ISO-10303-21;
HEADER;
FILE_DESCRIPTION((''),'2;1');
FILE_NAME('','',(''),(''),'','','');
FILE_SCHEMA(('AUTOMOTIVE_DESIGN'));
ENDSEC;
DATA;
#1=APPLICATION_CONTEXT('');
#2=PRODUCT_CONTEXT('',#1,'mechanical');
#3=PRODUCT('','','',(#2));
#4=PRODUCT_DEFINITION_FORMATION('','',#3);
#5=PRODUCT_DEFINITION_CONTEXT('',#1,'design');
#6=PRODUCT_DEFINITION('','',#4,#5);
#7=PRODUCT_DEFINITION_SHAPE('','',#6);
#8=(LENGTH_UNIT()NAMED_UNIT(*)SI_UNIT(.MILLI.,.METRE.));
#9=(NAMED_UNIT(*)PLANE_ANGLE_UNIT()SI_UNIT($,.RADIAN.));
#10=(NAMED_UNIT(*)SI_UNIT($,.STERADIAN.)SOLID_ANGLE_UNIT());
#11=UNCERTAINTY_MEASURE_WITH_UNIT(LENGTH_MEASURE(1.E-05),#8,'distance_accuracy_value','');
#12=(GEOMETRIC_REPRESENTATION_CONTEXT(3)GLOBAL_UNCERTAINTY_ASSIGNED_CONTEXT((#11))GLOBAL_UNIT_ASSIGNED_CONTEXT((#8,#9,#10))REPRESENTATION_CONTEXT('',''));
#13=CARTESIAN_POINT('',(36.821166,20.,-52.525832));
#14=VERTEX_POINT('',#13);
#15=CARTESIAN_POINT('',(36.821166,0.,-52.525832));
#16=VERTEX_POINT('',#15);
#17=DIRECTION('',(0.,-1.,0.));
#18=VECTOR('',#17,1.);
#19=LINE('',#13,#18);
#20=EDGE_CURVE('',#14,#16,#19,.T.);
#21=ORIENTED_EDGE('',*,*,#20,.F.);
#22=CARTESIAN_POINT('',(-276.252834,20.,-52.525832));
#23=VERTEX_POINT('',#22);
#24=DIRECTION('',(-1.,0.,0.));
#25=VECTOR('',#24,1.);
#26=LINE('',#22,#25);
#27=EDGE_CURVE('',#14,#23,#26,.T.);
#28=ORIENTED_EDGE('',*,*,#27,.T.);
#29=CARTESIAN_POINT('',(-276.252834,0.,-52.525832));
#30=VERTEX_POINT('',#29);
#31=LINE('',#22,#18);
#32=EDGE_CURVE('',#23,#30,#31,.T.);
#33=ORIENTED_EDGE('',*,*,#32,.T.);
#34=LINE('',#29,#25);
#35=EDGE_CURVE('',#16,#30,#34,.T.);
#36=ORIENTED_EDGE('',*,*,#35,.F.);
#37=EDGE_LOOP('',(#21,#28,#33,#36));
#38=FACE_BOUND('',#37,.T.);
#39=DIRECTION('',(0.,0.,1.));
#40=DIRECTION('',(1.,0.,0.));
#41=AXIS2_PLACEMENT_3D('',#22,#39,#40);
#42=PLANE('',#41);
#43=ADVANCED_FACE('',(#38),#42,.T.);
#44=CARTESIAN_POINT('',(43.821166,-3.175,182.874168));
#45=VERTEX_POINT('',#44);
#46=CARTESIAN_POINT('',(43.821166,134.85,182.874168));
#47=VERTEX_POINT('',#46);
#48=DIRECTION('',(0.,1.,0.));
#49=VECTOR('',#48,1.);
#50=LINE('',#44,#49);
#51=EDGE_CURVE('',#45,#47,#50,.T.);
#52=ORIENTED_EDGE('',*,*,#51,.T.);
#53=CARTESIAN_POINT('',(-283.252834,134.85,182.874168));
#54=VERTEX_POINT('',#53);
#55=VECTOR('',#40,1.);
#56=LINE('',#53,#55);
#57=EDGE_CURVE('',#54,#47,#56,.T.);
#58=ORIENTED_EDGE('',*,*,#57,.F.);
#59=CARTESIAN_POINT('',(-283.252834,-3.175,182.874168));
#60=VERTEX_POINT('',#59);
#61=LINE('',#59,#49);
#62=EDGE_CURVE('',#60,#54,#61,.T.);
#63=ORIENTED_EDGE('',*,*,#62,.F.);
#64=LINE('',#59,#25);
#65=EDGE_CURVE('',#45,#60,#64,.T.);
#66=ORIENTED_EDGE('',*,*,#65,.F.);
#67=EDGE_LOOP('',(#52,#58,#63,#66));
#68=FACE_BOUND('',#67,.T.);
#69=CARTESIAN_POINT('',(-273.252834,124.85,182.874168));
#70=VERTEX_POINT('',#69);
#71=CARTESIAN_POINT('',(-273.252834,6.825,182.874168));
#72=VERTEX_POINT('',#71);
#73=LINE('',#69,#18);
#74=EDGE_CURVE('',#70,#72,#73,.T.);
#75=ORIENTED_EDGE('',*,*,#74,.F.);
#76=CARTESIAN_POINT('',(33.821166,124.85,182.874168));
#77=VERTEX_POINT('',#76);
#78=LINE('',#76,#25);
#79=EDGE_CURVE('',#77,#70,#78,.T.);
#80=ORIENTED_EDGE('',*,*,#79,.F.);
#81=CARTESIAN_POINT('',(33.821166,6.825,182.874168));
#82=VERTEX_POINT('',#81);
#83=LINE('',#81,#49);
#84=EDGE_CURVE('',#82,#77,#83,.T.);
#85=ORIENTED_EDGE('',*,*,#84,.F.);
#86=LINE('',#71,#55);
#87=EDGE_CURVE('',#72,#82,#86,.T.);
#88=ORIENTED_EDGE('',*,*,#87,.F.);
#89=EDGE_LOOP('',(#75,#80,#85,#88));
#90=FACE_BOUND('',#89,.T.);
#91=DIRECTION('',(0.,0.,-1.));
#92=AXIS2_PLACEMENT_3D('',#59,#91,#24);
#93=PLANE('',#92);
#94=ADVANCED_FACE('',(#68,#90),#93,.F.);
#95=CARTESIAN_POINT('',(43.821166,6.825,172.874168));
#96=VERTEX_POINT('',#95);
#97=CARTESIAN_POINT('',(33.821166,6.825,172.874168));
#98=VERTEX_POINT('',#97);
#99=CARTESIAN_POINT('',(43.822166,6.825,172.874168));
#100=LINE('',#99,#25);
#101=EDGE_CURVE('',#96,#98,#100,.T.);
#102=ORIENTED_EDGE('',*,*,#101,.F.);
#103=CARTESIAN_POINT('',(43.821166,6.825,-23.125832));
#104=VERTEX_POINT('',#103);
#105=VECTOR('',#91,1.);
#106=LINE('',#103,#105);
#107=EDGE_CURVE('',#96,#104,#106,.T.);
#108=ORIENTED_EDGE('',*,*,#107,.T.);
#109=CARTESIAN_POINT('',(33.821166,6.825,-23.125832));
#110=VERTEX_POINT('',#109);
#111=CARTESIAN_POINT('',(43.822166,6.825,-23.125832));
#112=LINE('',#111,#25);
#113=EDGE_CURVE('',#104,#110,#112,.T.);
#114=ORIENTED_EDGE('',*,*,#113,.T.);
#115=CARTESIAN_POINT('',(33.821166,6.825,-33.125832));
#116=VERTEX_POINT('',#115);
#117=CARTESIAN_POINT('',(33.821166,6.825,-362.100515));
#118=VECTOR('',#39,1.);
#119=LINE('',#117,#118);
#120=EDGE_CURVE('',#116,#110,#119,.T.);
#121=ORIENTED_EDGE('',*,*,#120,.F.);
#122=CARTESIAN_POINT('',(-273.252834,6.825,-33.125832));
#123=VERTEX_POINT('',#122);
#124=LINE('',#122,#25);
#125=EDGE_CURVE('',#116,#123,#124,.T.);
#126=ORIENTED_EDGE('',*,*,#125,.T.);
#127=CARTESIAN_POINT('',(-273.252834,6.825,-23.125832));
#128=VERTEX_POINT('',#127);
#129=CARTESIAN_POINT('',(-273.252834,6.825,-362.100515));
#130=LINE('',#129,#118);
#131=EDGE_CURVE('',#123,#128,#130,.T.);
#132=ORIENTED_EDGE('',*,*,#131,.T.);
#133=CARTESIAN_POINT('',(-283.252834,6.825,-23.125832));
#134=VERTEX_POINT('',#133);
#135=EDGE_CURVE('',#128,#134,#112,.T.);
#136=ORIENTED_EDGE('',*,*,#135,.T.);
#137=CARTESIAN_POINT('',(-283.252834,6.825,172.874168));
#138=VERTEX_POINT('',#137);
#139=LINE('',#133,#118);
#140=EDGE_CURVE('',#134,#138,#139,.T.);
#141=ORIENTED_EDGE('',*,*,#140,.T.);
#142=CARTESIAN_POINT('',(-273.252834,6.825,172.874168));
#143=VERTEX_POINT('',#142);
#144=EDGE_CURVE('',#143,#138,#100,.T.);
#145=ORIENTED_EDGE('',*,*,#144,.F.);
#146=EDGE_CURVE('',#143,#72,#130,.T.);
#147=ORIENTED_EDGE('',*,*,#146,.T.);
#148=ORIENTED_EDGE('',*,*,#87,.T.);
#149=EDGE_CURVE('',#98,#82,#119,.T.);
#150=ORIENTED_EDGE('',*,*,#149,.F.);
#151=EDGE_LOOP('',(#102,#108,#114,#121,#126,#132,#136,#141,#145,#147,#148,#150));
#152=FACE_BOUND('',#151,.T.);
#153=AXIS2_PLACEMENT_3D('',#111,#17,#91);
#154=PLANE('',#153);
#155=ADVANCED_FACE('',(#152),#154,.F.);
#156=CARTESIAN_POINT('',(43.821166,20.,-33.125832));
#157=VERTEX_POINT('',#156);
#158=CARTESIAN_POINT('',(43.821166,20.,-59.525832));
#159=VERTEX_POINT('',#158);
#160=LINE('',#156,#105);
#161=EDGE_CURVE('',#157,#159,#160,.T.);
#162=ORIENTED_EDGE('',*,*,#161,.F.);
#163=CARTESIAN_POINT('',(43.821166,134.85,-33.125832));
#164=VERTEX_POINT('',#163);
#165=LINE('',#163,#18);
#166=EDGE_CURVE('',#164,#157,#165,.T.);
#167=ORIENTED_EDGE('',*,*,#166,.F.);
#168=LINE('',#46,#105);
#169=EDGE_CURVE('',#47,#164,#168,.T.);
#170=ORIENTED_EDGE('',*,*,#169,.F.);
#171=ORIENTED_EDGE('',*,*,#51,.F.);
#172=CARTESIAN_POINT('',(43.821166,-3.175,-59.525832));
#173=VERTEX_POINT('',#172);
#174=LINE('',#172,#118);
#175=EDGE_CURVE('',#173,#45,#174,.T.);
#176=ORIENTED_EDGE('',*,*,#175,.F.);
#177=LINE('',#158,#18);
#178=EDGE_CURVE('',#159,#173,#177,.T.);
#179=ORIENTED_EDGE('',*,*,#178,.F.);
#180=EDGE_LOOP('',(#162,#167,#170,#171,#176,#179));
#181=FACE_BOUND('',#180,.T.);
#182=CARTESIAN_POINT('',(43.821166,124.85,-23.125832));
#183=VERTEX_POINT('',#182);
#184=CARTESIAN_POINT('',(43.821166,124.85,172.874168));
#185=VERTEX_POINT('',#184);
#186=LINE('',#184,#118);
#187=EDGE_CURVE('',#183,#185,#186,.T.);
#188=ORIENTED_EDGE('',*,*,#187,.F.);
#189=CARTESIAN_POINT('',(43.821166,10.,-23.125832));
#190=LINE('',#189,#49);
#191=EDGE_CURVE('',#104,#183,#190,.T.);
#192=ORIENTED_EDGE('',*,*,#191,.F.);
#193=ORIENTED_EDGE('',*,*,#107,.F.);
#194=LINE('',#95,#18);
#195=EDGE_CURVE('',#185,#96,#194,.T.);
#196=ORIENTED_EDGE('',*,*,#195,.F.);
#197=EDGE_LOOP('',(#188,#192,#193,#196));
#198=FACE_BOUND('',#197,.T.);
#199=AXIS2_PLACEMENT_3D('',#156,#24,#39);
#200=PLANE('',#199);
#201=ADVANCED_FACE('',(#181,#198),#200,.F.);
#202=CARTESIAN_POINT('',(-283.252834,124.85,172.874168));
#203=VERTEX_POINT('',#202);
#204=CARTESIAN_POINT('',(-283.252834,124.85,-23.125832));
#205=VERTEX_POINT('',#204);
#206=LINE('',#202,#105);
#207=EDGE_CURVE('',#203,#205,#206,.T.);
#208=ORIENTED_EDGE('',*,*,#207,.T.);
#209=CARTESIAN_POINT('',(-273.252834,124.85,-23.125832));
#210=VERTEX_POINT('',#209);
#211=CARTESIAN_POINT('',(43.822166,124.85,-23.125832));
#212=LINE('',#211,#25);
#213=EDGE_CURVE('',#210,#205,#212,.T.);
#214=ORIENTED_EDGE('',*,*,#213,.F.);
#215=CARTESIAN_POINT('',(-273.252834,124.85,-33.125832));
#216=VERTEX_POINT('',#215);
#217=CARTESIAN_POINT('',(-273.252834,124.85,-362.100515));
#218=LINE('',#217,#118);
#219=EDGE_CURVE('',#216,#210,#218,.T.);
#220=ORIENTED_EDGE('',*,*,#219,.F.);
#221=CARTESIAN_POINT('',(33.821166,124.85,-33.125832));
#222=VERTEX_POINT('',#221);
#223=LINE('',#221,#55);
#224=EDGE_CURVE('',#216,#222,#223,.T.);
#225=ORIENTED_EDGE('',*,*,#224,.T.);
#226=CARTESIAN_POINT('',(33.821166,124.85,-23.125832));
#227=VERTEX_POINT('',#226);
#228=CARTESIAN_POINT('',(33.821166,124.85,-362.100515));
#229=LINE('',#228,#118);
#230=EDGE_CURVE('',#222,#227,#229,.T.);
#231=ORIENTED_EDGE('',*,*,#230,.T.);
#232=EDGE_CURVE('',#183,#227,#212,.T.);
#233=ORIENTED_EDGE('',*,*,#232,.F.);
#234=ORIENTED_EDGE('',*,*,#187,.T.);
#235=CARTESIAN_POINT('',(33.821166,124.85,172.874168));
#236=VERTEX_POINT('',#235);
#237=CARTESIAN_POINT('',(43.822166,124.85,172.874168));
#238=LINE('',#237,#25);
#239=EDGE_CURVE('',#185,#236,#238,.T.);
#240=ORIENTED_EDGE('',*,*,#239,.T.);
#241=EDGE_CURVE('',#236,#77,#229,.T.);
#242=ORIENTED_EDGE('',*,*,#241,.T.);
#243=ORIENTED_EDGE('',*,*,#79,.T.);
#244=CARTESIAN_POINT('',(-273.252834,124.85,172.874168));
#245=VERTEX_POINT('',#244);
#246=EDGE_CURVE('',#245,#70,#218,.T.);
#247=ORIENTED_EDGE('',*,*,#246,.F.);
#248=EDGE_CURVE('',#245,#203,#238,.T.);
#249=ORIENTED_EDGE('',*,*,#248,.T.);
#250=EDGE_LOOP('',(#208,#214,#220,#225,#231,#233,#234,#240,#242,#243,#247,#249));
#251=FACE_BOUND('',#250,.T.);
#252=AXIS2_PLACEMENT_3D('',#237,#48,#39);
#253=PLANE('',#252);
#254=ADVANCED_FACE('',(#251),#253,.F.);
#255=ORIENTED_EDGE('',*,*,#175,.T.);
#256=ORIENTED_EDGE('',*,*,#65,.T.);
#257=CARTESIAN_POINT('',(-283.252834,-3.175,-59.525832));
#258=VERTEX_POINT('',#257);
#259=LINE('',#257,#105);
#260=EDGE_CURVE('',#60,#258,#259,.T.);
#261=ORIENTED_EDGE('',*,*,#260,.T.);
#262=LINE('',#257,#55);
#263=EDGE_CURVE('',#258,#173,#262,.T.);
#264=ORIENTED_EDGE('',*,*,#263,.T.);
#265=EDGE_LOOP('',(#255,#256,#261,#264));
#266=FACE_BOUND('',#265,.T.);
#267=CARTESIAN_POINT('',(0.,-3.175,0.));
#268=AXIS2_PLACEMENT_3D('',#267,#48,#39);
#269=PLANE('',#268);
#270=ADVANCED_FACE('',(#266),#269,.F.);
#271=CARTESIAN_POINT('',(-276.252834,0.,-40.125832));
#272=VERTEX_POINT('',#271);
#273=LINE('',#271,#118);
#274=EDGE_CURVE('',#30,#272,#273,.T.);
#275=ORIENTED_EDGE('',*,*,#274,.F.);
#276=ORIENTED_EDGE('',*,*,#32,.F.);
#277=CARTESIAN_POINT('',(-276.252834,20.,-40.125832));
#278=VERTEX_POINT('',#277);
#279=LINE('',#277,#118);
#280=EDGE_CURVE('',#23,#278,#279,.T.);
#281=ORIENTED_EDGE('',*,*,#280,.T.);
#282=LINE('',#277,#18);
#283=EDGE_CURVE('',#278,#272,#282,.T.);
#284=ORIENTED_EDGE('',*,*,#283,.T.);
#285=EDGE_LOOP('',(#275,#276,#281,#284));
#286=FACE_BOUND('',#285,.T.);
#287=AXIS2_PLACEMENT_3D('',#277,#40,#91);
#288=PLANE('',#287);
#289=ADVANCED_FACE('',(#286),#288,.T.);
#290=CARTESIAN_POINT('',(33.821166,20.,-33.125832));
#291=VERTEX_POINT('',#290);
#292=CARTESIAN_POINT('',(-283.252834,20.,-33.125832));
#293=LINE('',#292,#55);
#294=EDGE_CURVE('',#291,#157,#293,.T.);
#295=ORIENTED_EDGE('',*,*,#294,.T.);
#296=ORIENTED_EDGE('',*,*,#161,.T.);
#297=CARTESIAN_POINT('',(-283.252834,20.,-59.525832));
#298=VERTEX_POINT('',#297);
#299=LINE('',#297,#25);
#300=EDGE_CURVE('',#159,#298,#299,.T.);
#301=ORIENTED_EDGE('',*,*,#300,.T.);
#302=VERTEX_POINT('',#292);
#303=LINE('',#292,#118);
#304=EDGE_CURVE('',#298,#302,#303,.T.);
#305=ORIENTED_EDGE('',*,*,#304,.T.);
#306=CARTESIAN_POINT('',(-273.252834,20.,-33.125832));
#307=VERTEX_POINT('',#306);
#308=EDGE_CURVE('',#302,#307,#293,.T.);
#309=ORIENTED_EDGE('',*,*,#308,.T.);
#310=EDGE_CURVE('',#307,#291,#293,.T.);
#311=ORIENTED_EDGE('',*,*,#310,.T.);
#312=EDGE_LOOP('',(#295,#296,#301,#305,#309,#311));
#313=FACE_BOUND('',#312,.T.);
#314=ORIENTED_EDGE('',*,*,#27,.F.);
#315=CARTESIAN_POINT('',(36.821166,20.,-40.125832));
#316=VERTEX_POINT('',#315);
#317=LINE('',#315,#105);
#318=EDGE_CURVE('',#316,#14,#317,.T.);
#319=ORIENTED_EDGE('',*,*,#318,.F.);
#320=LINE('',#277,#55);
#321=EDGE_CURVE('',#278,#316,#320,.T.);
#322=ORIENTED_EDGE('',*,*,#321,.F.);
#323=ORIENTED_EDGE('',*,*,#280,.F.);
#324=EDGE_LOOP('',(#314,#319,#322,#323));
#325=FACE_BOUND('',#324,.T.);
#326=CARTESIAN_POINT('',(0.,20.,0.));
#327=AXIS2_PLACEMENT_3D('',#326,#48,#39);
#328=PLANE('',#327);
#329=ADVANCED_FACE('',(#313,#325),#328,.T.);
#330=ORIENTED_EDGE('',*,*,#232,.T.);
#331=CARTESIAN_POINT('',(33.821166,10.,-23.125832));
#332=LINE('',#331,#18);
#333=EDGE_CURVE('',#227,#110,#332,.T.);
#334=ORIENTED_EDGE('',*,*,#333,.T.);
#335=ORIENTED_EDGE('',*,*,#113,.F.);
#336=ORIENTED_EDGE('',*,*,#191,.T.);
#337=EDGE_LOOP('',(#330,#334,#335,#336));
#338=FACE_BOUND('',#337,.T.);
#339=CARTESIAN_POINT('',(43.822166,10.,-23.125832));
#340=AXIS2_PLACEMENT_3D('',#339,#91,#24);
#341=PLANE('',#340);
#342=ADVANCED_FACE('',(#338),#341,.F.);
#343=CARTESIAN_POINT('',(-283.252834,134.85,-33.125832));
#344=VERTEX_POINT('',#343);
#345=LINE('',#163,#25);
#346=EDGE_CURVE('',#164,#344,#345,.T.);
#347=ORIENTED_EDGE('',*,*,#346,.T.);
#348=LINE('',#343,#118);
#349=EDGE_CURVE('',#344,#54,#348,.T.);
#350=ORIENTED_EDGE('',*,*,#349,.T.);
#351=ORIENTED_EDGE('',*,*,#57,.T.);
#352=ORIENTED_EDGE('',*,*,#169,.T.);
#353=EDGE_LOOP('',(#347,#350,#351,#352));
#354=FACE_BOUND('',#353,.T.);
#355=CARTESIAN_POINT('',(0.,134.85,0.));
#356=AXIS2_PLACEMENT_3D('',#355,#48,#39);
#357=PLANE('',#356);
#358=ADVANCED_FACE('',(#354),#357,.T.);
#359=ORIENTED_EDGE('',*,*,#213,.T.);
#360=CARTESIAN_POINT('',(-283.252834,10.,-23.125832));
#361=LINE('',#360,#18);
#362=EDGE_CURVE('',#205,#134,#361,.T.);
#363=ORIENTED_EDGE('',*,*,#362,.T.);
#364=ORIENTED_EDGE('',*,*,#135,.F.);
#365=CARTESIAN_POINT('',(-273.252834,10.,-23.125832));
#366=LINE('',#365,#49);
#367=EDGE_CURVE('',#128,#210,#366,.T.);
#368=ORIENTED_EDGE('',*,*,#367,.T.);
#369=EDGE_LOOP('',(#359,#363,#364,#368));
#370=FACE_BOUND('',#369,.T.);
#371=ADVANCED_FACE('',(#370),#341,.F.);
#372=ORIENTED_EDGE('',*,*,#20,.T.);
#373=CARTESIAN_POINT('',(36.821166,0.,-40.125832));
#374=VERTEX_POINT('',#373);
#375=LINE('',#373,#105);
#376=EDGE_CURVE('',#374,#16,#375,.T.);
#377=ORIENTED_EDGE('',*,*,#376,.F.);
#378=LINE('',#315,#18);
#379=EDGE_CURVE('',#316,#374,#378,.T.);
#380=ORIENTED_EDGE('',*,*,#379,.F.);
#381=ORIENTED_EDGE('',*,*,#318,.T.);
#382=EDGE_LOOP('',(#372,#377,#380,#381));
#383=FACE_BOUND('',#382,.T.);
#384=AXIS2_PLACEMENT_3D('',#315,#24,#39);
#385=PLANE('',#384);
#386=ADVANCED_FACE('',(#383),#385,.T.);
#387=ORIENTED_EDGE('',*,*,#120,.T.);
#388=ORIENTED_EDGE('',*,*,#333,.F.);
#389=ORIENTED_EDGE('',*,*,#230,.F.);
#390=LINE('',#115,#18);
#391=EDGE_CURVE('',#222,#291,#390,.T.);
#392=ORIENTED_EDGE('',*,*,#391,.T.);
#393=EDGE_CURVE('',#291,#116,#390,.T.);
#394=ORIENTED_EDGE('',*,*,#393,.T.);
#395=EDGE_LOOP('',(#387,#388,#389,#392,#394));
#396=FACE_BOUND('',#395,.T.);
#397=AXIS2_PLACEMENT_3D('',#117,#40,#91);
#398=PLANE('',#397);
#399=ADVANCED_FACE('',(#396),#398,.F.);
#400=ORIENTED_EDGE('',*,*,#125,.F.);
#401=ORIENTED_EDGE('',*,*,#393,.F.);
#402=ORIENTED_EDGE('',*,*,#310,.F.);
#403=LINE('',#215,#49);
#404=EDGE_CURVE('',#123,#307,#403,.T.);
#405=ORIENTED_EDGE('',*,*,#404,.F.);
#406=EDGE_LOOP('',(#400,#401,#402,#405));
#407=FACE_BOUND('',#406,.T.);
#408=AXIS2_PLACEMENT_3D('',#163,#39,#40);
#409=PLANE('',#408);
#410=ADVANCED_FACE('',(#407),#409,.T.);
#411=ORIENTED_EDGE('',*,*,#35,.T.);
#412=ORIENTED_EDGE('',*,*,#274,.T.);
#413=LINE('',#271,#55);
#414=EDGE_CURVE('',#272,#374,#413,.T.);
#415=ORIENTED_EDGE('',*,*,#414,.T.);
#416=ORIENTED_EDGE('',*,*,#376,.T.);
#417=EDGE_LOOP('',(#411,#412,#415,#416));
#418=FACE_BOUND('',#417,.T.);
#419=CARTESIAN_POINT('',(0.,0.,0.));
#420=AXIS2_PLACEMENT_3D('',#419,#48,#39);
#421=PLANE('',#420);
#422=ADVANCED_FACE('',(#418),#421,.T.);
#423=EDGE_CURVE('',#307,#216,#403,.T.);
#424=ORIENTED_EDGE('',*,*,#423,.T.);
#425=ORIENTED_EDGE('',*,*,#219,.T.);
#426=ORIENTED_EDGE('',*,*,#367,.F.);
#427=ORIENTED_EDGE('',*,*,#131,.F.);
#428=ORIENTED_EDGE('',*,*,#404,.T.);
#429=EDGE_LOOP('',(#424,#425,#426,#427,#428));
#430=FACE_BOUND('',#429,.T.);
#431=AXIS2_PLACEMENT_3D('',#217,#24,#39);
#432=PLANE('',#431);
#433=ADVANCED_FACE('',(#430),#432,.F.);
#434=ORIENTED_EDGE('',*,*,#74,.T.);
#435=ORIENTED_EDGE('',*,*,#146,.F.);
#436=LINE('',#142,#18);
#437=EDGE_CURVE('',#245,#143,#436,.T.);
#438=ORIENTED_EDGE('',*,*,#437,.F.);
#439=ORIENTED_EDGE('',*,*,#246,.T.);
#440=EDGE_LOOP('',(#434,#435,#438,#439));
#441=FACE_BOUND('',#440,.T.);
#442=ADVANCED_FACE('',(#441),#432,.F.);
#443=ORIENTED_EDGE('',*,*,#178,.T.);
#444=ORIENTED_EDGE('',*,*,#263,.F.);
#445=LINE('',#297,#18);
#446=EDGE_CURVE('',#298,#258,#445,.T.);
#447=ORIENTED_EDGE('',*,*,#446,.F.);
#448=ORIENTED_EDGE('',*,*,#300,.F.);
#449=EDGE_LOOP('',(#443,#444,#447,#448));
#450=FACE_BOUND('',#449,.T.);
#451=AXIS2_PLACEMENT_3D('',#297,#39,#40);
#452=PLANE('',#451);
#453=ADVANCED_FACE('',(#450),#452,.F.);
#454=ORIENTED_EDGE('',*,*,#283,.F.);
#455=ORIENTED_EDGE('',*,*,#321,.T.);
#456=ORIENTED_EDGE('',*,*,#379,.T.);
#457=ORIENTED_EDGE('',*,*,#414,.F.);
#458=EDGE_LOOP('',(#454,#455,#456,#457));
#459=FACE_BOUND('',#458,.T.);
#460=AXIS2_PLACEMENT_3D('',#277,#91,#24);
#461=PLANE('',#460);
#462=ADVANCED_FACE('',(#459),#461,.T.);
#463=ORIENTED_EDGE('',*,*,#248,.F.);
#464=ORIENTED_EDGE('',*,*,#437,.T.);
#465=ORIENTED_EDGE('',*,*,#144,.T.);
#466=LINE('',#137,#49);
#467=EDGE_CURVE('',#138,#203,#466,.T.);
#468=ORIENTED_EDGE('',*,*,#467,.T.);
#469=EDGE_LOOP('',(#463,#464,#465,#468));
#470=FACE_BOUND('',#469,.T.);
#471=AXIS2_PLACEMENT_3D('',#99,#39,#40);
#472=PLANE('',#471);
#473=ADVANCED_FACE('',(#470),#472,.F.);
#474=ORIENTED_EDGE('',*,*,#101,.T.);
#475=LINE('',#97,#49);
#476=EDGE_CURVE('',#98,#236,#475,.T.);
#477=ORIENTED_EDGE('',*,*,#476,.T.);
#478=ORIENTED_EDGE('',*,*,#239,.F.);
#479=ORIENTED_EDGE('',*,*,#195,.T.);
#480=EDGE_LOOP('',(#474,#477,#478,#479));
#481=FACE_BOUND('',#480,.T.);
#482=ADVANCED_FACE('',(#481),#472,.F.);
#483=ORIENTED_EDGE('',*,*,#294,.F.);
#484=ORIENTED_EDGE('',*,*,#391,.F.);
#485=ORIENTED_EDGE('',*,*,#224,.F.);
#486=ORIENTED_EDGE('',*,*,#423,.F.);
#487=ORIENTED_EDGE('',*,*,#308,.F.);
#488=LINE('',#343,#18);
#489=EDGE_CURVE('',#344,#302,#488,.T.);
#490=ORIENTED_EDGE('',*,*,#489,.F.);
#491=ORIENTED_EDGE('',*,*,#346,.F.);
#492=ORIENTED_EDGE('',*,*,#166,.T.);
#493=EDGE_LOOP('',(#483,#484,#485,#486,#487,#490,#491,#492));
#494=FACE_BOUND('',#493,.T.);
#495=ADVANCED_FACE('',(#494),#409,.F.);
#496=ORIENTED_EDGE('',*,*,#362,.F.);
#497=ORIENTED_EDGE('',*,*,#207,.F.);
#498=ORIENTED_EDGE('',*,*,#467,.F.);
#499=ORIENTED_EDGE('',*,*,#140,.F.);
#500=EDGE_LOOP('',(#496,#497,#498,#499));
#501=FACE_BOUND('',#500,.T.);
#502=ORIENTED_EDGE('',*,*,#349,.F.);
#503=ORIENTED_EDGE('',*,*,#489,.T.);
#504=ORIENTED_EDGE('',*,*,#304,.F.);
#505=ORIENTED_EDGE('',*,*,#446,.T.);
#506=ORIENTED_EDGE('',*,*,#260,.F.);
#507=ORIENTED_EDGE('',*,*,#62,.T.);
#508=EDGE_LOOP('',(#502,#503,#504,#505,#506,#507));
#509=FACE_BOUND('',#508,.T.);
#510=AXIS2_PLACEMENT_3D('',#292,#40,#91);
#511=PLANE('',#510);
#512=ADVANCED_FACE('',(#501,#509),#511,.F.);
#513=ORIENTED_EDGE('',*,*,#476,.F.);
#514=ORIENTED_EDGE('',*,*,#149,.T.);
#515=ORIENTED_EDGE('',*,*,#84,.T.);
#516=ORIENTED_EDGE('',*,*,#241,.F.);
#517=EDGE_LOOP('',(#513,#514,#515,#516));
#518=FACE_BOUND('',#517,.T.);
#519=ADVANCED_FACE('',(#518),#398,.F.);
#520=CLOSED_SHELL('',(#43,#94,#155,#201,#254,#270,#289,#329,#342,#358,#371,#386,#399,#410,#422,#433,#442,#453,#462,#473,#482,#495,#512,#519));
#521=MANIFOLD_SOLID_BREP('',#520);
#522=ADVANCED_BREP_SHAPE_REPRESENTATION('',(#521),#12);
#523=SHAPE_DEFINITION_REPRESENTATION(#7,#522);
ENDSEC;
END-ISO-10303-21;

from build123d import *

# Parameters (mm, degrees)
SKETCH1_W           = 327.074
SKETCH1_H           = 26.4
SKETCH1_W_2         = 313.074
SKETCH1_H_2         = 12.4
BOSS_EXTRUDE1_DEPTH = 20
SKETCH2_W           = 327.074
SKETCH2_H           = 242.4
BOSS_EXTRUDE2_DEPTH = 3.175
SKETCH3_W           = 327.074
SKETCH3_H           = 216
BOSS_EXTRUDE3_DEPTH = 134.85
CUT_EXTRUDE1_REACH  = 400.252
CUT_EXTRUDE2_REACH  = 398.452
SKETCH5_W           = 307.074
SKETCH5_H           = 118.025


with BuildPart() as part:
    # Sketch1 → Boss-Extrude1 (new body)
    with BuildSketch(Plane(origin=(0, 0, 0), x_dir=(1, 0, 0), z_dir=(0, 1, 0))):
        with Locations((-119.715833623, 46.325831873)):
            Rectangle(SKETCH1_W, SKETCH1_H)
        with Locations((-119.715833623, 46.325831873)):
            Rectangle(SKETCH1_W_2, SKETCH1_H_2, mode=Mode.SUBTRACT)
    extrude(amount=BOSS_EXTRUDE1_DEPTH)

    # Sketch2 → Boss-Extrude2 (add)
    with BuildSketch(Plane.XZ):
        with Locations((-119.715833623, 61.674168127)):
            Rectangle(SKETCH2_W, SKETCH2_H)
    extrude(amount=BOSS_EXTRUDE2_DEPTH)

    # Sketch3 → Boss-Extrude3 (add)
    with BuildSketch(Plane(origin=(0, 0, 0), x_dir=(1, 0, 0), z_dir=(0, 1, 0))):
        with Locations((-119.715833623, -74.874168127)):
            Rectangle(SKETCH3_W, SKETCH3_H)
    extrude(amount=BOSS_EXTRUDE3_DEPTH)

    # Sketch4 → Cut-Extrude1 (cut, up to next)
    with BuildSketch(Plane.ZY.offset(283.252833623), mode=Mode.PRIVATE) as cut_extrude1_sk1:
        Polygon((-23.125831873, 10), (-23.125831873, 6.825), (172.874168127, 6.825), (172.874168127, 124.85), (-23.125831873, 124.85), align=None)
    cut_extrude1_tool1 = extrude(cut_extrude1_sk1.sketch, amount=-CUT_EXTRUDE1_REACH, mode=Mode.PRIVATE) & part.part
    add(cut_extrude1_tool1.solids().sort_by_distance((-283.252834, 65.8375, 74.874168))[0], mode=Mode.SUBTRACT)

    # Cut-Extrude2: up to this face of the body (flat: up to its plane)
    cut_extrude2_end = Plane(part.part.faces().sort_by_distance((-119.715833623, 77.425, -33.125831873))[0])
    # Sketch5 → Cut-Extrude2 (cut, up to the picked face)
    with BuildSketch(Plane.XY.offset(182.874168127), mode=Mode.PRIVATE) as cut_extrude2_sk1:
        with Locations((-119.715833623, 65.8375)):
            Rectangle(SKETCH5_W, SKETCH5_H)
    cut_extrude2_tool1 = split(extrude(cut_extrude2_sk1.sketch, amount=-CUT_EXTRUDE2_REACH, mode=Mode.PRIVATE), bisect_by=cut_extrude2_end, keep=Keep.BOTH, mode=Mode.PRIVATE)
    add(cut_extrude2_tool1.solids().sort_by(Axis((-119.715834, 65.8375, 182.874168), (0, 0, -1)))[0], mode=Mode.SUBTRACT)


solid = part.part
